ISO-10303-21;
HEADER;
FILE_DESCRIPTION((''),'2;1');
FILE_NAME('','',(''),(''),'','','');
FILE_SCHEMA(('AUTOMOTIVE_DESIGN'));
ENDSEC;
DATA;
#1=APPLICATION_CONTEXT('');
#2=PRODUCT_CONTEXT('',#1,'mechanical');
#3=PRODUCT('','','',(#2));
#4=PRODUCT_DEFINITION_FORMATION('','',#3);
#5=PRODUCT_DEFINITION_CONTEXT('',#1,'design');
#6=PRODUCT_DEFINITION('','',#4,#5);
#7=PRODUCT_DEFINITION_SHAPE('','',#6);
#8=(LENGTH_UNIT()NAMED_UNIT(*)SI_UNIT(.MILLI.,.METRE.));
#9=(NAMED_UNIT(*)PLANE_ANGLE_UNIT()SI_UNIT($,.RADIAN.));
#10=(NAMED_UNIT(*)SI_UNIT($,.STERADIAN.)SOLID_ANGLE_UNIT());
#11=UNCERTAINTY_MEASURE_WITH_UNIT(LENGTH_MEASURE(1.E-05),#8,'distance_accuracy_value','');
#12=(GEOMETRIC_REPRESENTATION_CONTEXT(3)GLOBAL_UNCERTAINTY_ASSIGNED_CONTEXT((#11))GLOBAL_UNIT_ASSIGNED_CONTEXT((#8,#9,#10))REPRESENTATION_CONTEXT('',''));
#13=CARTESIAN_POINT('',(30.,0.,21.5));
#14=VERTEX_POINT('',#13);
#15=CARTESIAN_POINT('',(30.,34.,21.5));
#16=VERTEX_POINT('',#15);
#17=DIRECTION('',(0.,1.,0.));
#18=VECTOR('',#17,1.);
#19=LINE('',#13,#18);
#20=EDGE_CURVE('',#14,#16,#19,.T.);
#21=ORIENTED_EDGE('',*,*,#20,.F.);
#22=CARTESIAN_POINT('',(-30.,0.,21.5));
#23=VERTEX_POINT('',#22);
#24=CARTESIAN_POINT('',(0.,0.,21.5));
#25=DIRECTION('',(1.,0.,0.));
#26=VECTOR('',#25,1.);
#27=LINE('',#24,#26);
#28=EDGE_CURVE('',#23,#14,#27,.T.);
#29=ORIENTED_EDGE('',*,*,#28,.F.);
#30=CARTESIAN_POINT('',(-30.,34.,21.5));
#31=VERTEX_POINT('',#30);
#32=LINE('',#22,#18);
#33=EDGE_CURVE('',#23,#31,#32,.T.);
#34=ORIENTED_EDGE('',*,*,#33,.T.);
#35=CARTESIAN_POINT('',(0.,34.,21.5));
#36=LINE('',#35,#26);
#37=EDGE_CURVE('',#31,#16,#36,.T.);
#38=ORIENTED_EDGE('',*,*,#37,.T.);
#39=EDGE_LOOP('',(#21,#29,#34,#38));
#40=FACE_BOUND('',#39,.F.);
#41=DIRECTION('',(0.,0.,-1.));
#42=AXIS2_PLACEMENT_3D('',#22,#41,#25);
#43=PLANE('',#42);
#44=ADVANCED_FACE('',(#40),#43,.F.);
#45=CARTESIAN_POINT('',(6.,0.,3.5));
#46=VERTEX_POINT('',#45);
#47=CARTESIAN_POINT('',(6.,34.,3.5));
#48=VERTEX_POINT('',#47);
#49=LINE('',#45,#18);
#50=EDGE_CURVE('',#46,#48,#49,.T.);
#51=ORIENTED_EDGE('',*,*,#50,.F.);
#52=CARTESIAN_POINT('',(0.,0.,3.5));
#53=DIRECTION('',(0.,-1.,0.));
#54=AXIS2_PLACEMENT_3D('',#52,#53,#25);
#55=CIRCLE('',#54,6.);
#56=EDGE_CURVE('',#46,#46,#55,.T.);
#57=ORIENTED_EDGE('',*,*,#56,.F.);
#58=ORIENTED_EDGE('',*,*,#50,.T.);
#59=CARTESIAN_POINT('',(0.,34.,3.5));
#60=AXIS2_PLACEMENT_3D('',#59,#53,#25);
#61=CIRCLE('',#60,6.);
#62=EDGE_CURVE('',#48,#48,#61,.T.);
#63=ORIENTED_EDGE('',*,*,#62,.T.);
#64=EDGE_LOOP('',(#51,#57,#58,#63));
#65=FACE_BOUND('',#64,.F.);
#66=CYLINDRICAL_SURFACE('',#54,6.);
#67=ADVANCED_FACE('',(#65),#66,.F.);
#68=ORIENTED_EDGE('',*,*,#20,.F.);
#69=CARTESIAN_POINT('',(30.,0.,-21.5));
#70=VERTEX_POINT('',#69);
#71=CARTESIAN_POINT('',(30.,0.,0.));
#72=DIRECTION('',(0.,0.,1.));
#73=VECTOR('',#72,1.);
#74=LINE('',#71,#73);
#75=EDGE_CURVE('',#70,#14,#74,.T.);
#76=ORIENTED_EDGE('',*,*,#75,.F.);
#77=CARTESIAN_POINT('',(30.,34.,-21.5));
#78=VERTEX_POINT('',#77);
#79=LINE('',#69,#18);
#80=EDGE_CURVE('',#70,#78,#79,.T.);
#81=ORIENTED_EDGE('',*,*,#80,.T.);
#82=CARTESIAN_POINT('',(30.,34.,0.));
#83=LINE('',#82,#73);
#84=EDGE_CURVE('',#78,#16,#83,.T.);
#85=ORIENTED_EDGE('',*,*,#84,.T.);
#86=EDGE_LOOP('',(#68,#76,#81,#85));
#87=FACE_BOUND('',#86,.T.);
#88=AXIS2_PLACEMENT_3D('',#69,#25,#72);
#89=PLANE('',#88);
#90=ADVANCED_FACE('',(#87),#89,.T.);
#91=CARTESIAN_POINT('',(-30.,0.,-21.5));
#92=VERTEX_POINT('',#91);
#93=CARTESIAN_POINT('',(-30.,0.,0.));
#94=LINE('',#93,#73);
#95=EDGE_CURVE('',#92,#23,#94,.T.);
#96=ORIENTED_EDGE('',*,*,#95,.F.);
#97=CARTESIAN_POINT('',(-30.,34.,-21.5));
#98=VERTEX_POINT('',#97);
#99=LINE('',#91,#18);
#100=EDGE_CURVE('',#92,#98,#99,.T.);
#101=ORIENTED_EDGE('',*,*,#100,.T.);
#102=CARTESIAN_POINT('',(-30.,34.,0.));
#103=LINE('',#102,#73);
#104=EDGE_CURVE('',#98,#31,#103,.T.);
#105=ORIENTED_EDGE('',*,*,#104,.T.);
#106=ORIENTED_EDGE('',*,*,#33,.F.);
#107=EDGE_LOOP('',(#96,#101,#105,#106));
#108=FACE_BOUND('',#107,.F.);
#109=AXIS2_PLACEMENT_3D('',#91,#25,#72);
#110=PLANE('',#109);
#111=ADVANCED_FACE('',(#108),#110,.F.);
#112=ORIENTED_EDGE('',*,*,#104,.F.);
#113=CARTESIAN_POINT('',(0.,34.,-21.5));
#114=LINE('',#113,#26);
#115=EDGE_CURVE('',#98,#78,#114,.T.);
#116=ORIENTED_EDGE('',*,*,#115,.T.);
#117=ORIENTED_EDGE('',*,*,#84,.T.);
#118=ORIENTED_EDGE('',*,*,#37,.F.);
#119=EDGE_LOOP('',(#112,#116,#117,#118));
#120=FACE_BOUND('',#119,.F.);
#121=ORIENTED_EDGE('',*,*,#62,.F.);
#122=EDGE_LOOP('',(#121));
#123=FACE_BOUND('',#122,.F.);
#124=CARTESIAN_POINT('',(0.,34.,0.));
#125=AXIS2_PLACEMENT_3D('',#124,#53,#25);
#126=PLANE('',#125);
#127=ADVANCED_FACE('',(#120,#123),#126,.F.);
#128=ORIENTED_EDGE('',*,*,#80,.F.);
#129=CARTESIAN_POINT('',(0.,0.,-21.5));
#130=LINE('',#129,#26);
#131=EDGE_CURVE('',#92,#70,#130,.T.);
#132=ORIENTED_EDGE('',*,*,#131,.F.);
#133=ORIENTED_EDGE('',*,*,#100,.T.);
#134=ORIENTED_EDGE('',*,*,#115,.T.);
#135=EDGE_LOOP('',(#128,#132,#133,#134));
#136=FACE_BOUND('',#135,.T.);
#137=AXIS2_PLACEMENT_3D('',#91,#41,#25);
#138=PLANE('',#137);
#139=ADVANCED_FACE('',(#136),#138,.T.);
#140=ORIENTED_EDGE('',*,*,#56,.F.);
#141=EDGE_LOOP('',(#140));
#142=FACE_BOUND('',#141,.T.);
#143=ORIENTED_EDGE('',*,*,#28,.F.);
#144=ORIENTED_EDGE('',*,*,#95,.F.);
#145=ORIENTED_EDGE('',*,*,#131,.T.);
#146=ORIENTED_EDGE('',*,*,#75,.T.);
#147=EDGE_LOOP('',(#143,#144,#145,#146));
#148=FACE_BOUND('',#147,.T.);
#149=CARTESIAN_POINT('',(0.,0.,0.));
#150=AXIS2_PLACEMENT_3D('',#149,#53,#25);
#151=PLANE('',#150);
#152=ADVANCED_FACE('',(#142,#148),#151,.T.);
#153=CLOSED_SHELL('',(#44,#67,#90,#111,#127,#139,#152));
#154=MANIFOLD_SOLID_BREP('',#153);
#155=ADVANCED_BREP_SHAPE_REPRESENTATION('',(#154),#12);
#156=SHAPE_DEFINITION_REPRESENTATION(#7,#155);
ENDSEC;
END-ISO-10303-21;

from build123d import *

# Parameters (mm, degrees)
F0_W     = 60
F0_H     = 43
F0_R     = 6
F1_DEPTH = 34


with BuildPart() as f1:
    # F0 (on Front) → F1 (new body)
    with BuildSketch(Plane.XZ):
        Rectangle(F0_W, F0_H)
        with Locations((0, 3.5)):
            Circle(F0_R, mode=Mode.SUBTRACT)
    extrude(amount=-F1_DEPTH)


solid = f1.part
